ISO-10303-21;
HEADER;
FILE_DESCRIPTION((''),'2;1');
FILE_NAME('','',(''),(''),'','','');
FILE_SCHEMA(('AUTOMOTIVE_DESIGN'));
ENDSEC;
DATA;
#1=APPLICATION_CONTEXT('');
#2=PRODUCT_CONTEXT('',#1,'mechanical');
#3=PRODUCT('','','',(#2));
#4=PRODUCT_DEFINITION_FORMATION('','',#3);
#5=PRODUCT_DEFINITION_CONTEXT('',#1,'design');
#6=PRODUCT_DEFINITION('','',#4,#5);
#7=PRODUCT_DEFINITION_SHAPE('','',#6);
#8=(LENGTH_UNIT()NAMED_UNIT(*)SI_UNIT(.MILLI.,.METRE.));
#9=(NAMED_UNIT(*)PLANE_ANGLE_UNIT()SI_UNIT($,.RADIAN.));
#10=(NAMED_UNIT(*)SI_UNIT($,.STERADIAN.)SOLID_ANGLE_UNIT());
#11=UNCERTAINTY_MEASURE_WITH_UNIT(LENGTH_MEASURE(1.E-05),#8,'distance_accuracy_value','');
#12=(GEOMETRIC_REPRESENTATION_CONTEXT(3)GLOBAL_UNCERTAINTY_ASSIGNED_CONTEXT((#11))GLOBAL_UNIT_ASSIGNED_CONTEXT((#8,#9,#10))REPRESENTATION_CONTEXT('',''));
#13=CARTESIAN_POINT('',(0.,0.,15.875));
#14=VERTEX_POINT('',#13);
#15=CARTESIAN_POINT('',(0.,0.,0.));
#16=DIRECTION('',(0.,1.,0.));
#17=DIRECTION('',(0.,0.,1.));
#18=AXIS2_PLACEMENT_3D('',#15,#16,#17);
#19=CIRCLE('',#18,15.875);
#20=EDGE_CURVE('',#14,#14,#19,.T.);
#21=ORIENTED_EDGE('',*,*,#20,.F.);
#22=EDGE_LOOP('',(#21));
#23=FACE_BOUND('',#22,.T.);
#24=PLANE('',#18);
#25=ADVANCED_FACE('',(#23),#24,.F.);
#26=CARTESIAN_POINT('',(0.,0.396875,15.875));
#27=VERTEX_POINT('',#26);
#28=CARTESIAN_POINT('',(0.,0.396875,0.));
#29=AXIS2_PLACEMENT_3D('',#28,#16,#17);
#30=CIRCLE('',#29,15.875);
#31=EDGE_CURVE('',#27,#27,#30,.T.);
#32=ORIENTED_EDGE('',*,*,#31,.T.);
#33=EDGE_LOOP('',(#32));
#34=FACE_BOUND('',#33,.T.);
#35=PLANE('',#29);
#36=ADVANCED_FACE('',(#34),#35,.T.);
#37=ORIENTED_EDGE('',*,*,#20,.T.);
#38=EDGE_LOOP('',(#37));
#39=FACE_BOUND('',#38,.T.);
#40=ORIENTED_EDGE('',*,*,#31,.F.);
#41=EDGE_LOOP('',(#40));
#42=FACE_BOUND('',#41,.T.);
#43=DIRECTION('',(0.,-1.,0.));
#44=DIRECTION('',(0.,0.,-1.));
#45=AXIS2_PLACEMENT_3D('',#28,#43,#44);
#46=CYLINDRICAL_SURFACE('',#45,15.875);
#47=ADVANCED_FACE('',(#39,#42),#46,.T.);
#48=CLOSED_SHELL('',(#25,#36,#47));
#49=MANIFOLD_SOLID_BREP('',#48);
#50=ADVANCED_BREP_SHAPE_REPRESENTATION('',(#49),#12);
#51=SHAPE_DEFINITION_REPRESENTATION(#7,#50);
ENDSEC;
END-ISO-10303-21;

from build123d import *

# Parameters (mm, degrees)
SKETCH1_R           = 15.875
BOSS_EXTRUDE1_DEPTH = 0.396875


with BuildPart() as part:
    # Sketch1 → Boss-Extrude1 (new body)
    with BuildSketch(Plane(origin=(0, 0, 0), x_dir=(1, 0, 0), z_dir=(0, 1, 0))):
        Circle(SKETCH1_R)
    extrude(amount=BOSS_EXTRUDE1_DEPTH)


solid = part.part
